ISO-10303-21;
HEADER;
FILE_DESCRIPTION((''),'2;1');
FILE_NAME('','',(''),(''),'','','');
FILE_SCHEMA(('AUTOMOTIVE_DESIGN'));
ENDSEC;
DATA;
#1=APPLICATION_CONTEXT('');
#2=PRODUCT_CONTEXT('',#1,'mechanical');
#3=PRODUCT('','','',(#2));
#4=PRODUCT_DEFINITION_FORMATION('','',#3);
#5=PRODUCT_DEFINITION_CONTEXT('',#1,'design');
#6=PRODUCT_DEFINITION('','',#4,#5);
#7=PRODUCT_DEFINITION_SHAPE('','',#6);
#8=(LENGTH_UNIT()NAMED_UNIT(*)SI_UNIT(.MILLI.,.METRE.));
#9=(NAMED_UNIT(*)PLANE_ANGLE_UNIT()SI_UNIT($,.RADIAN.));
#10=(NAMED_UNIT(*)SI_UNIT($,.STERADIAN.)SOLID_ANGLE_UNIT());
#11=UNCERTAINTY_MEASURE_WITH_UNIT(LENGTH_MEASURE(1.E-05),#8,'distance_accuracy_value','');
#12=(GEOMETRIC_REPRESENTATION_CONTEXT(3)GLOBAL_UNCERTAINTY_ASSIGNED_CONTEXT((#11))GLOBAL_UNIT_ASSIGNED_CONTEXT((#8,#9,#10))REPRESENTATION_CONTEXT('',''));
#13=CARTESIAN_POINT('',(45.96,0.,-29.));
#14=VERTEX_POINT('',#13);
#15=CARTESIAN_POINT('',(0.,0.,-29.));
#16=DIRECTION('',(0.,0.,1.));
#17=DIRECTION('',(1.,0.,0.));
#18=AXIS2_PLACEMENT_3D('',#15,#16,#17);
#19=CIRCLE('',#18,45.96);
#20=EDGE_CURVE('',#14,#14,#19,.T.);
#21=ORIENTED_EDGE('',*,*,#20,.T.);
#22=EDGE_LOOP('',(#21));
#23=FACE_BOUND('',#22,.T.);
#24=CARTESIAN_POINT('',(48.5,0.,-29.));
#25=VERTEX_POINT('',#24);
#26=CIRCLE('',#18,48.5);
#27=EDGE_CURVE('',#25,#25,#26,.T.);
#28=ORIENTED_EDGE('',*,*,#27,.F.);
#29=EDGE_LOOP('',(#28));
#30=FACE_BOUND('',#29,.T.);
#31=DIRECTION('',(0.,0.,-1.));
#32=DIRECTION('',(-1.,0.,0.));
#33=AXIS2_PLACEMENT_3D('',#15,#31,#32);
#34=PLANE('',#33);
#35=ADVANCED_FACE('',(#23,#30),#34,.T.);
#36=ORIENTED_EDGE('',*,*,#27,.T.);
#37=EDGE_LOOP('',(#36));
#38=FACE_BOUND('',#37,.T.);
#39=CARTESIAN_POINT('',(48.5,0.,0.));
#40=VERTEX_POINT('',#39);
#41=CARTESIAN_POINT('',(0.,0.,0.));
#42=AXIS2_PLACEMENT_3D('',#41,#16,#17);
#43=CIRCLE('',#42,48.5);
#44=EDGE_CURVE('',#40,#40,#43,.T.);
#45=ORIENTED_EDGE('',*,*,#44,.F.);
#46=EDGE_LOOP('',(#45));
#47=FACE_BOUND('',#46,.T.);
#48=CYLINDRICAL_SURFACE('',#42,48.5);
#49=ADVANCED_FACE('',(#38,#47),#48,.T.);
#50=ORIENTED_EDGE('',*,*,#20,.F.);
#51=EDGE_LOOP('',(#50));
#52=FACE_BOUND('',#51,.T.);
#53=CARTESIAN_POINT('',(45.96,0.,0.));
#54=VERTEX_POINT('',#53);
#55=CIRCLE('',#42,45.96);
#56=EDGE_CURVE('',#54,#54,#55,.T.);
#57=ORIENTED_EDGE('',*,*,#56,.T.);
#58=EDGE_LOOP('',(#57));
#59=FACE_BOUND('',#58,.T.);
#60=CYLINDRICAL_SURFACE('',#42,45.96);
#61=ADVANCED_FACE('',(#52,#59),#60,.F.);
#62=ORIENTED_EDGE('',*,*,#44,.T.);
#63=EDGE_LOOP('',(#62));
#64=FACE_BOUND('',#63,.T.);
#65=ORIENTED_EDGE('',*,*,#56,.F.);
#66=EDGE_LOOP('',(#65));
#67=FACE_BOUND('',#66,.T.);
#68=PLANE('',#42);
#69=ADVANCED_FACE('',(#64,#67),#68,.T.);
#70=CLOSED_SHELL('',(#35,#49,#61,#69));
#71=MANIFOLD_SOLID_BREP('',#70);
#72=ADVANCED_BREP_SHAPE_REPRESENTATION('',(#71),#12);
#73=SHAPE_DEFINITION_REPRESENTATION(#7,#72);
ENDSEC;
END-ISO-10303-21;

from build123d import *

# Parameters (mm, degrees)
SKETCH2_W = 2.54
SKETCH2_H = 29


with BuildPart() as part:
    # Sketch2 → Revolve1 (revolve)
    with BuildSketch(Plane(origin=(0, 0, 0), x_dir=(1, 0, 0), z_dir=(0, 1, 0))):
        with Locations((-47.23, 14.5)):
            Rectangle(SKETCH2_W, SKETCH2_H)
    revolve(axis=Axis((0, 0, 0), (0, 0, -1)))


solid = part.part
